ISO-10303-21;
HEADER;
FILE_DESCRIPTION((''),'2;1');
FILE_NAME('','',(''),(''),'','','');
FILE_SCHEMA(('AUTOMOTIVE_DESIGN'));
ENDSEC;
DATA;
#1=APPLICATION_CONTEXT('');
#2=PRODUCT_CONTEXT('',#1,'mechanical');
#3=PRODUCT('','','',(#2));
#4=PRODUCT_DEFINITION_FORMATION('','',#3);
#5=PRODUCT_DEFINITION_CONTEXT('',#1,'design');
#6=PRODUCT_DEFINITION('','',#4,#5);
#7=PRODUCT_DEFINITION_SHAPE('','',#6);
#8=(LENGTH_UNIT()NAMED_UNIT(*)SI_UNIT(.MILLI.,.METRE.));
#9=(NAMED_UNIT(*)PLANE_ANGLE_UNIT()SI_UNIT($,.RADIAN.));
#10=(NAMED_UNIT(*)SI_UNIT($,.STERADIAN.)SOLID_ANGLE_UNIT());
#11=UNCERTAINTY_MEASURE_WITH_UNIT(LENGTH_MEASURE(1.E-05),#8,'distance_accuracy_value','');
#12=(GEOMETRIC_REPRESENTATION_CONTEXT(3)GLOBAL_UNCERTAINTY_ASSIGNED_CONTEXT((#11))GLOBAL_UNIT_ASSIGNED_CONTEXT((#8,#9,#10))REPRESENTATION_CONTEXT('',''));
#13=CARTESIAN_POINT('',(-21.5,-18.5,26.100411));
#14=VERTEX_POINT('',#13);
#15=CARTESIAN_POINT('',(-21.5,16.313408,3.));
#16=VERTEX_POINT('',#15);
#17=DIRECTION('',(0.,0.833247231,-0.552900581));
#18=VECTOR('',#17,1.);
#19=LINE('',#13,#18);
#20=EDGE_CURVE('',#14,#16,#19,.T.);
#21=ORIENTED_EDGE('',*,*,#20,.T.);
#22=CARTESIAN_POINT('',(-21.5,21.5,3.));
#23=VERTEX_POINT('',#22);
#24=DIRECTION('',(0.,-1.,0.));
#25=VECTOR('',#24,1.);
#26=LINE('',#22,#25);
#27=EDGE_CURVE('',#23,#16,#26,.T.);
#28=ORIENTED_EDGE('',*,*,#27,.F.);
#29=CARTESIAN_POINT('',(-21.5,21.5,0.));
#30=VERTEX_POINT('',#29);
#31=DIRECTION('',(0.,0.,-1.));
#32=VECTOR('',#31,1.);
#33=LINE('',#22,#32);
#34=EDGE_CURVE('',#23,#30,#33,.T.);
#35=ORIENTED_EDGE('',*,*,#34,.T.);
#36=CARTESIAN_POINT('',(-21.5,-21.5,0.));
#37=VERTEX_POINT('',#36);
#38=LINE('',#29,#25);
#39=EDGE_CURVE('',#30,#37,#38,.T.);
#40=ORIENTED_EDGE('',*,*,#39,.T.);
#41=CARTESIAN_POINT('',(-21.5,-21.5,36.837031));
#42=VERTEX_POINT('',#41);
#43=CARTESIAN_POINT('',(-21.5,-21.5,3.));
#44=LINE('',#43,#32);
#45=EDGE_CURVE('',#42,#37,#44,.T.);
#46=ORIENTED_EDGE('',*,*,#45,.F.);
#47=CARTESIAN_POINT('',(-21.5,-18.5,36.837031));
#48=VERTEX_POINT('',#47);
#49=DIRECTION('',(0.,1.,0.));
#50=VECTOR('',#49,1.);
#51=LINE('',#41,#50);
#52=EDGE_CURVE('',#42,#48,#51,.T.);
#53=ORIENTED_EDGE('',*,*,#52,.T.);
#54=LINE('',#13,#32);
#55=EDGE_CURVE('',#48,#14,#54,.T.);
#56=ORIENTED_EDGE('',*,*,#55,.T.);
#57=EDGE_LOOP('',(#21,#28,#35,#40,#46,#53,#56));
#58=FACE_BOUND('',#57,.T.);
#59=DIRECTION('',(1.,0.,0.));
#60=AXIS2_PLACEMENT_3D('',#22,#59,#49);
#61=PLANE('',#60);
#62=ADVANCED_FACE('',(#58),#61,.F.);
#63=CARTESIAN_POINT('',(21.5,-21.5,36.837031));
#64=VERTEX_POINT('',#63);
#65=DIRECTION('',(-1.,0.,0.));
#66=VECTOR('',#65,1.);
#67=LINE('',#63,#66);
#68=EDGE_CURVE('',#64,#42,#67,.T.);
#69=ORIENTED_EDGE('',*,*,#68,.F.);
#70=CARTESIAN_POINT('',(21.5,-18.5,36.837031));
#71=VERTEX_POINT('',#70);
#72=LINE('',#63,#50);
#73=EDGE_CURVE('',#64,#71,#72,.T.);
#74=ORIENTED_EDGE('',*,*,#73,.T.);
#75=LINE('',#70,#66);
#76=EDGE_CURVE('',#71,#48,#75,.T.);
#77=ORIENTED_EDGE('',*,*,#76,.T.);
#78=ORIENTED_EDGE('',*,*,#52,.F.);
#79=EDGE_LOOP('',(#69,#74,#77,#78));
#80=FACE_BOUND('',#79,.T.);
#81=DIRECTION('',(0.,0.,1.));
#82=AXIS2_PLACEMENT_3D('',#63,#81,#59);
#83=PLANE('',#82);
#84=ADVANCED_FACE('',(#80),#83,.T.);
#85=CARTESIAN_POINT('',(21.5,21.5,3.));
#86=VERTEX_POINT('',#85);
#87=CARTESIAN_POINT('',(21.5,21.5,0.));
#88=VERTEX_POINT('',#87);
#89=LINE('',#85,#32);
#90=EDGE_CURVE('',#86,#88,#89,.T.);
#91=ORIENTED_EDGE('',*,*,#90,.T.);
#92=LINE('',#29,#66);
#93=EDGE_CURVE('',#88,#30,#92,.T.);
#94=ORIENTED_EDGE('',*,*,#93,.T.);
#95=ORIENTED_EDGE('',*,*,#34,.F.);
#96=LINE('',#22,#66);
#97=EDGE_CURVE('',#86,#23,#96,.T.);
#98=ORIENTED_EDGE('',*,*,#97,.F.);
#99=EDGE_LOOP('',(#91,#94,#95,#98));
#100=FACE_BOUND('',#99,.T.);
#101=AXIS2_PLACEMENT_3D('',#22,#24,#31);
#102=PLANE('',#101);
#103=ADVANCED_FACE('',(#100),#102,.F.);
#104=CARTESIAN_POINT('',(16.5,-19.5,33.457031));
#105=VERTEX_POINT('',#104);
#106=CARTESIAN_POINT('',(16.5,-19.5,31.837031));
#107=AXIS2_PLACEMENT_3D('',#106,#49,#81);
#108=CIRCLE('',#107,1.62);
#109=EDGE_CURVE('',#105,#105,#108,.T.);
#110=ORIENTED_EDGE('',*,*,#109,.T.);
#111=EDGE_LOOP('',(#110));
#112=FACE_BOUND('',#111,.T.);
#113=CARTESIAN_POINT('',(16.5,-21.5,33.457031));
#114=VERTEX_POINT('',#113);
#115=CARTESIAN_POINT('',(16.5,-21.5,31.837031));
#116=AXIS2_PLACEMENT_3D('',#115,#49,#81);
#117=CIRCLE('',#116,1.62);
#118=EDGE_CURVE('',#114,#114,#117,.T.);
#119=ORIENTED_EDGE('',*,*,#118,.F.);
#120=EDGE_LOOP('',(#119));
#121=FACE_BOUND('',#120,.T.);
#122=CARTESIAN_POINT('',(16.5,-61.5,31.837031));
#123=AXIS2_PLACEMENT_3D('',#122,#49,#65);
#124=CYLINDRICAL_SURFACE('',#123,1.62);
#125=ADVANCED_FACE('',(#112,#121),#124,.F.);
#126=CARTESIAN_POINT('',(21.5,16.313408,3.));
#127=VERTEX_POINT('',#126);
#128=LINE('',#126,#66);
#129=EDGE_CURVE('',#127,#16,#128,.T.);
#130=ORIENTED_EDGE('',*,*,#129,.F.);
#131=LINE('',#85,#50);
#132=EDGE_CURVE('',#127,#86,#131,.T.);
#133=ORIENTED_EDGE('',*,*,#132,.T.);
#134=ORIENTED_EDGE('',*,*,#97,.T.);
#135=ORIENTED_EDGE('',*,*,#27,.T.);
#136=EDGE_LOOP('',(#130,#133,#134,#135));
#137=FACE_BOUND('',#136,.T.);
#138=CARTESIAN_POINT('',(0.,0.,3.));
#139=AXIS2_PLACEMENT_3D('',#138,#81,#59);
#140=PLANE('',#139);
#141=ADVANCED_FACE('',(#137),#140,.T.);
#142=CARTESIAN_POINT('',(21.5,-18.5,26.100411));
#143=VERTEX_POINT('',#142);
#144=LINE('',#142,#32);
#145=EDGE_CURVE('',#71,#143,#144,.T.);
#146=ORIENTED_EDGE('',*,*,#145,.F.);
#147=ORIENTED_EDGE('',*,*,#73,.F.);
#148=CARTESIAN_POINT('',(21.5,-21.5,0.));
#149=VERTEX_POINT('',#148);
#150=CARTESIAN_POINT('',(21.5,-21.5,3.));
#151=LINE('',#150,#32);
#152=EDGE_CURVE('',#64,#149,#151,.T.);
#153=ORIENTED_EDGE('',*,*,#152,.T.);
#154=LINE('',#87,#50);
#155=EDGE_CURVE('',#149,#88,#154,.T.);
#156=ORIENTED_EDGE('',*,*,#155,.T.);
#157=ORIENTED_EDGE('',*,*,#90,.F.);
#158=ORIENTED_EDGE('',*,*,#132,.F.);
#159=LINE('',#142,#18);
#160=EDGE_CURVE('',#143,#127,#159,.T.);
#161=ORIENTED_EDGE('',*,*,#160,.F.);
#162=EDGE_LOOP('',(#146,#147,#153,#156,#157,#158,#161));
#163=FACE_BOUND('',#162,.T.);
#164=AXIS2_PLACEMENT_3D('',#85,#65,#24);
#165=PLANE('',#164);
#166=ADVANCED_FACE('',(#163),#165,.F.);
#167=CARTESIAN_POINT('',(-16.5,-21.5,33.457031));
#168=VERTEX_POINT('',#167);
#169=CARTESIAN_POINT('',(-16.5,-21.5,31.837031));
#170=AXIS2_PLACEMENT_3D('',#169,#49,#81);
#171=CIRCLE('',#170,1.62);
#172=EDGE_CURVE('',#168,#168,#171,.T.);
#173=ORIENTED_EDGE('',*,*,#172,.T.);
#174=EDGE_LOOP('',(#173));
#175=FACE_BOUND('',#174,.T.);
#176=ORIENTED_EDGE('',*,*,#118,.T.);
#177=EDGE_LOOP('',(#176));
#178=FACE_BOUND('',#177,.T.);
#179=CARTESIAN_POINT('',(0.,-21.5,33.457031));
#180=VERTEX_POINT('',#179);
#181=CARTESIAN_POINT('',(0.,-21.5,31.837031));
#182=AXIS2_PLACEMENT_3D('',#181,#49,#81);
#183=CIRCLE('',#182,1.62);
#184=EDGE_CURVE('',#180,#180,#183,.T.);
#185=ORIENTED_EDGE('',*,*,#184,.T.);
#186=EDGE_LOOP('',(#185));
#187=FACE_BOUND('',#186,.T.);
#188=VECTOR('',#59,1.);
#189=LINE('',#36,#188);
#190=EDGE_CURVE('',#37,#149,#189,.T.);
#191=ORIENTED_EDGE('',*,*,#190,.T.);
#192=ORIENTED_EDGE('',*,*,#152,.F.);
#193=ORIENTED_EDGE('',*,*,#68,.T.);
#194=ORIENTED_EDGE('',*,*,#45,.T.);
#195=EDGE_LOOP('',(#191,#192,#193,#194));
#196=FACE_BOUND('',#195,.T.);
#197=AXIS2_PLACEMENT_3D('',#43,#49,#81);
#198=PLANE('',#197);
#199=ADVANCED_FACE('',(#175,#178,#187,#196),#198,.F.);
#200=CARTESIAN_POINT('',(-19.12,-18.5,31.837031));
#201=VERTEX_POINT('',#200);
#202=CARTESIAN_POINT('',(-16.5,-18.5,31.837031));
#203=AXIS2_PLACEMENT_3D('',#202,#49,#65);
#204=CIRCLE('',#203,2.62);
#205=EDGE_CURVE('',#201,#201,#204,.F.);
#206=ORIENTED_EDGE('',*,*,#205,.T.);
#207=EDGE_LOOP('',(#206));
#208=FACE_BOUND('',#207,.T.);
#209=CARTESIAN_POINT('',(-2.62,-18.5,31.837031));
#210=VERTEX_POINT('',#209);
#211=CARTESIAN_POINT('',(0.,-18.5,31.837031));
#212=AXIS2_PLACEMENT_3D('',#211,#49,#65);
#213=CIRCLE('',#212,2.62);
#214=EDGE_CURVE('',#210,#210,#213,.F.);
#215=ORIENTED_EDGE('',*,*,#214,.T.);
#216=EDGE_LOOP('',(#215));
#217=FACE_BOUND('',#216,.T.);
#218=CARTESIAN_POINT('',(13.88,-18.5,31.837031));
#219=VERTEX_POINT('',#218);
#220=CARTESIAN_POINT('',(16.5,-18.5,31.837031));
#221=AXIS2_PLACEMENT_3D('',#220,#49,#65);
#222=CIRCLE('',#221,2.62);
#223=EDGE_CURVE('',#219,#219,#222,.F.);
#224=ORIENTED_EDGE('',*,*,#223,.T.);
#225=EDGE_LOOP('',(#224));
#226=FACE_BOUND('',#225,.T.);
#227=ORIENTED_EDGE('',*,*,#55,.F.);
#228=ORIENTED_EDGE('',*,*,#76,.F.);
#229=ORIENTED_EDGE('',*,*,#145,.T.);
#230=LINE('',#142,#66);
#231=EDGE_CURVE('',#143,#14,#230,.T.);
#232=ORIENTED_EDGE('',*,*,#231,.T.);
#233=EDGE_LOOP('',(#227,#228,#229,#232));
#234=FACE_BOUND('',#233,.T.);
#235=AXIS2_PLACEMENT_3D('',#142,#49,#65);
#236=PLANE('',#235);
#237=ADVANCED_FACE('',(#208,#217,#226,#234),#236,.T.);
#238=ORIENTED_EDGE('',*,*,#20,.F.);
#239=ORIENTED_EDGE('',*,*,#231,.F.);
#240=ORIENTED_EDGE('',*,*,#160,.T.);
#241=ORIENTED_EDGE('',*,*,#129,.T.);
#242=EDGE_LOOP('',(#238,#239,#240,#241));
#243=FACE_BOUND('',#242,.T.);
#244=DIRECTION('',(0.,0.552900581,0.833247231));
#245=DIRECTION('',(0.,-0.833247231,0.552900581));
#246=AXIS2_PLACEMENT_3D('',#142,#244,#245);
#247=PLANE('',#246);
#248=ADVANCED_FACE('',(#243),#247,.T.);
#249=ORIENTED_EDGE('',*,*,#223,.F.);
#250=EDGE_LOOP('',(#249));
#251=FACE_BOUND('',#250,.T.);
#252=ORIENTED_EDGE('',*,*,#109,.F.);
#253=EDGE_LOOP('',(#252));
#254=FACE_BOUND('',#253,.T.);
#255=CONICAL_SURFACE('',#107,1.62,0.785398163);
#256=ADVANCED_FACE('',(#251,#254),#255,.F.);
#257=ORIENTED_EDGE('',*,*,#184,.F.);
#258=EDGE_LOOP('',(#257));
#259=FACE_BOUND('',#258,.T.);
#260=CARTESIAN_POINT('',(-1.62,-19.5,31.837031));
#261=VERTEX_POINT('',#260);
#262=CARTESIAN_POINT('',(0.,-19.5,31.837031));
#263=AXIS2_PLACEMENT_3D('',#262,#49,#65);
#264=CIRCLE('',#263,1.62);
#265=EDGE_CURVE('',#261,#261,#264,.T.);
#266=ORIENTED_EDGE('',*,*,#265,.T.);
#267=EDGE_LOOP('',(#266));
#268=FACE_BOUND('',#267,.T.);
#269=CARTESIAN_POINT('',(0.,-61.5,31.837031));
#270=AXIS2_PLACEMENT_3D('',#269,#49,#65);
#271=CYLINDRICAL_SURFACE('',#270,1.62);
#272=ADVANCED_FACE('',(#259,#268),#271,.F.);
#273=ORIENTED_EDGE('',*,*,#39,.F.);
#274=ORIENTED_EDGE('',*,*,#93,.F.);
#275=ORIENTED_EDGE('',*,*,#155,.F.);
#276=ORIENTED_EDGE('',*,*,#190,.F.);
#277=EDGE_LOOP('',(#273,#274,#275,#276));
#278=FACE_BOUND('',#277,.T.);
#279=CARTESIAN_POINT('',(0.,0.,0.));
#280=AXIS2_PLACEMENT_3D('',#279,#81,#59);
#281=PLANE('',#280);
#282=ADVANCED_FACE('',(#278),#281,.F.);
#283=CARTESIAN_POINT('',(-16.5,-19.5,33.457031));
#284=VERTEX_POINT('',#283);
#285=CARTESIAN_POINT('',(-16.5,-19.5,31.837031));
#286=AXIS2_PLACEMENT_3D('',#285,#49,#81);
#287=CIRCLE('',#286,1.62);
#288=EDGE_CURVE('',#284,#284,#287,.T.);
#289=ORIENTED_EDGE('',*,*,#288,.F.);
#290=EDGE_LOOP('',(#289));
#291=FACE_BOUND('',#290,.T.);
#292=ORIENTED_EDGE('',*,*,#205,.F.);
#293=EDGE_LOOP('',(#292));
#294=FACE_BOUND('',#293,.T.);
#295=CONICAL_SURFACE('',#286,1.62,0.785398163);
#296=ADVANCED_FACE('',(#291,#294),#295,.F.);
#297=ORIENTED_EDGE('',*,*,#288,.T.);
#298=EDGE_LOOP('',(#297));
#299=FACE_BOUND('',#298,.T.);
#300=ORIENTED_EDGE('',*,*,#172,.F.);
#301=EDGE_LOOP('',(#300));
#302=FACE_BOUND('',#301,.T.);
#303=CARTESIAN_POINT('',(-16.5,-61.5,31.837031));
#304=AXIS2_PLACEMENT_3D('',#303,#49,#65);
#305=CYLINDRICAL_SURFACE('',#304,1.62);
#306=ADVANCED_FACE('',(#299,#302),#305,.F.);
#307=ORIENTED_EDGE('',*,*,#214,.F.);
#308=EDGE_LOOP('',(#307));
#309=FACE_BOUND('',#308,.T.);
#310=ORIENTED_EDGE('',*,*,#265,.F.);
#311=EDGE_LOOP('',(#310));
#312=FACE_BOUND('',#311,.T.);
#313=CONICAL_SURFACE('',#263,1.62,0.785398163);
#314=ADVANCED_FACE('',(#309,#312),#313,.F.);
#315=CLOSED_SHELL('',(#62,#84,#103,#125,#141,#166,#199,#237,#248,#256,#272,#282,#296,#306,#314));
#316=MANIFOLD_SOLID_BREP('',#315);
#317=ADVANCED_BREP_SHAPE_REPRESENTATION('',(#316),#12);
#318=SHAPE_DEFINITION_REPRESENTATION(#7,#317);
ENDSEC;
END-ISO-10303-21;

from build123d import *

# Parameters (mm, degrees)
SCHIZZO1_W                   = 43
SCHIZZO1_H                   = 43
ESTRUSIONE_ESTRUSIONE1_DEPTH = 3
ESTRUSIONE_ESTRUSIONE2_DEPTH = 43
SCHIZZO3_R                   = 1.62
TAGLIO_ESTRUSIONE1_DEPTH     = 43
SMUSSO1_SIZE                 = 1
SCHIZZO3_3_R                 = 1.62
TAGLIO_ESTRUSIONE2_DEPTH     = 43
SCHIZZO3_4_R                 = 1.62
TAGLIO_ESTRUSIONE3_DEPTH     = 43
SMUSSO2_SIZE                 = 1
SMUSSO3_SIZE                 = 1


with BuildPart() as part:
    # Schizzo1 → Estrusione-Estrusione1 (new body)
    with BuildSketch(Plane.XY):
        Rectangle(SCHIZZO1_W, SCHIZZO1_H)
    extrude(amount=ESTRUSIONE_ESTRUSIONE1_DEPTH)

    # Schizzo2 → Estrusione-Estrusione2 (add)
    with BuildSketch(Plane.ZY.offset(21.5)):
        Polygon((26.100411225, -18.5), (3, 16.313408291), (3, -21.5), (36.837031378, -21.5), (36.837031378, -18.5), align=None)
    extrude(amount=-ESTRUSIONE_ESTRUSIONE2_DEPTH)

    # Schizzo3 → Taglio-Estrusione1 (cut)
    with BuildSketch(Plane(origin=(0, -18.5, 0), x_dir=(1, 0, 0), z_dir=(0, 1, 0))):
        with Locations((16.5, -31.837031378)):
            Circle(SCHIZZO3_R)
    extrude(amount=-TAGLIO_ESTRUSIONE1_DEPTH, mode=Mode.SUBTRACT)

    # Smusso1
    smusso1_edges = [part.edges().sort_by_distance(p)[0] for p in [
        (14.88, -18.5, 31.837031378),
    ]]
    chamfer(smusso1_edges, length=SMUSSO1_SIZE)

    # Schizzo3<3> → Taglio-Estrusione2 (cut)
    with BuildSketch(Plane(origin=(0, -18.5, 0), x_dir=(1, 0, 0), z_dir=(0, 1, 0))):
        with Locations((0, -31.837031378)):
            Circle(SCHIZZO3_3_R)
    extrude(amount=-TAGLIO_ESTRUSIONE2_DEPTH, mode=Mode.SUBTRACT)

    # Schizzo3<4> → Taglio-Estrusione3 (cut)
    with BuildSketch(Plane(origin=(0, -18.5, 0), x_dir=(1, 0, 0), z_dir=(0, 1, 0))):
        with Locations((-16.5, -31.837031378)):
            Circle(SCHIZZO3_4_R)
    extrude(amount=-TAGLIO_ESTRUSIONE3_DEPTH, mode=Mode.SUBTRACT)

    # Smusso2
    smusso2_edges = [part.edges().sort_by_distance(p)[0] for p in [
        (-1.62, -18.5, 31.837031378),
    ]]
    chamfer(smusso2_edges, length=SMUSSO2_SIZE)

    # Smusso3
    smusso3_edges = [part.edges().sort_by_distance(p)[0] for p in [
        (-18.12, -18.5, 31.837031378),
    ]]
    chamfer(smusso3_edges, length=SMUSSO3_SIZE)


solid = part.part
